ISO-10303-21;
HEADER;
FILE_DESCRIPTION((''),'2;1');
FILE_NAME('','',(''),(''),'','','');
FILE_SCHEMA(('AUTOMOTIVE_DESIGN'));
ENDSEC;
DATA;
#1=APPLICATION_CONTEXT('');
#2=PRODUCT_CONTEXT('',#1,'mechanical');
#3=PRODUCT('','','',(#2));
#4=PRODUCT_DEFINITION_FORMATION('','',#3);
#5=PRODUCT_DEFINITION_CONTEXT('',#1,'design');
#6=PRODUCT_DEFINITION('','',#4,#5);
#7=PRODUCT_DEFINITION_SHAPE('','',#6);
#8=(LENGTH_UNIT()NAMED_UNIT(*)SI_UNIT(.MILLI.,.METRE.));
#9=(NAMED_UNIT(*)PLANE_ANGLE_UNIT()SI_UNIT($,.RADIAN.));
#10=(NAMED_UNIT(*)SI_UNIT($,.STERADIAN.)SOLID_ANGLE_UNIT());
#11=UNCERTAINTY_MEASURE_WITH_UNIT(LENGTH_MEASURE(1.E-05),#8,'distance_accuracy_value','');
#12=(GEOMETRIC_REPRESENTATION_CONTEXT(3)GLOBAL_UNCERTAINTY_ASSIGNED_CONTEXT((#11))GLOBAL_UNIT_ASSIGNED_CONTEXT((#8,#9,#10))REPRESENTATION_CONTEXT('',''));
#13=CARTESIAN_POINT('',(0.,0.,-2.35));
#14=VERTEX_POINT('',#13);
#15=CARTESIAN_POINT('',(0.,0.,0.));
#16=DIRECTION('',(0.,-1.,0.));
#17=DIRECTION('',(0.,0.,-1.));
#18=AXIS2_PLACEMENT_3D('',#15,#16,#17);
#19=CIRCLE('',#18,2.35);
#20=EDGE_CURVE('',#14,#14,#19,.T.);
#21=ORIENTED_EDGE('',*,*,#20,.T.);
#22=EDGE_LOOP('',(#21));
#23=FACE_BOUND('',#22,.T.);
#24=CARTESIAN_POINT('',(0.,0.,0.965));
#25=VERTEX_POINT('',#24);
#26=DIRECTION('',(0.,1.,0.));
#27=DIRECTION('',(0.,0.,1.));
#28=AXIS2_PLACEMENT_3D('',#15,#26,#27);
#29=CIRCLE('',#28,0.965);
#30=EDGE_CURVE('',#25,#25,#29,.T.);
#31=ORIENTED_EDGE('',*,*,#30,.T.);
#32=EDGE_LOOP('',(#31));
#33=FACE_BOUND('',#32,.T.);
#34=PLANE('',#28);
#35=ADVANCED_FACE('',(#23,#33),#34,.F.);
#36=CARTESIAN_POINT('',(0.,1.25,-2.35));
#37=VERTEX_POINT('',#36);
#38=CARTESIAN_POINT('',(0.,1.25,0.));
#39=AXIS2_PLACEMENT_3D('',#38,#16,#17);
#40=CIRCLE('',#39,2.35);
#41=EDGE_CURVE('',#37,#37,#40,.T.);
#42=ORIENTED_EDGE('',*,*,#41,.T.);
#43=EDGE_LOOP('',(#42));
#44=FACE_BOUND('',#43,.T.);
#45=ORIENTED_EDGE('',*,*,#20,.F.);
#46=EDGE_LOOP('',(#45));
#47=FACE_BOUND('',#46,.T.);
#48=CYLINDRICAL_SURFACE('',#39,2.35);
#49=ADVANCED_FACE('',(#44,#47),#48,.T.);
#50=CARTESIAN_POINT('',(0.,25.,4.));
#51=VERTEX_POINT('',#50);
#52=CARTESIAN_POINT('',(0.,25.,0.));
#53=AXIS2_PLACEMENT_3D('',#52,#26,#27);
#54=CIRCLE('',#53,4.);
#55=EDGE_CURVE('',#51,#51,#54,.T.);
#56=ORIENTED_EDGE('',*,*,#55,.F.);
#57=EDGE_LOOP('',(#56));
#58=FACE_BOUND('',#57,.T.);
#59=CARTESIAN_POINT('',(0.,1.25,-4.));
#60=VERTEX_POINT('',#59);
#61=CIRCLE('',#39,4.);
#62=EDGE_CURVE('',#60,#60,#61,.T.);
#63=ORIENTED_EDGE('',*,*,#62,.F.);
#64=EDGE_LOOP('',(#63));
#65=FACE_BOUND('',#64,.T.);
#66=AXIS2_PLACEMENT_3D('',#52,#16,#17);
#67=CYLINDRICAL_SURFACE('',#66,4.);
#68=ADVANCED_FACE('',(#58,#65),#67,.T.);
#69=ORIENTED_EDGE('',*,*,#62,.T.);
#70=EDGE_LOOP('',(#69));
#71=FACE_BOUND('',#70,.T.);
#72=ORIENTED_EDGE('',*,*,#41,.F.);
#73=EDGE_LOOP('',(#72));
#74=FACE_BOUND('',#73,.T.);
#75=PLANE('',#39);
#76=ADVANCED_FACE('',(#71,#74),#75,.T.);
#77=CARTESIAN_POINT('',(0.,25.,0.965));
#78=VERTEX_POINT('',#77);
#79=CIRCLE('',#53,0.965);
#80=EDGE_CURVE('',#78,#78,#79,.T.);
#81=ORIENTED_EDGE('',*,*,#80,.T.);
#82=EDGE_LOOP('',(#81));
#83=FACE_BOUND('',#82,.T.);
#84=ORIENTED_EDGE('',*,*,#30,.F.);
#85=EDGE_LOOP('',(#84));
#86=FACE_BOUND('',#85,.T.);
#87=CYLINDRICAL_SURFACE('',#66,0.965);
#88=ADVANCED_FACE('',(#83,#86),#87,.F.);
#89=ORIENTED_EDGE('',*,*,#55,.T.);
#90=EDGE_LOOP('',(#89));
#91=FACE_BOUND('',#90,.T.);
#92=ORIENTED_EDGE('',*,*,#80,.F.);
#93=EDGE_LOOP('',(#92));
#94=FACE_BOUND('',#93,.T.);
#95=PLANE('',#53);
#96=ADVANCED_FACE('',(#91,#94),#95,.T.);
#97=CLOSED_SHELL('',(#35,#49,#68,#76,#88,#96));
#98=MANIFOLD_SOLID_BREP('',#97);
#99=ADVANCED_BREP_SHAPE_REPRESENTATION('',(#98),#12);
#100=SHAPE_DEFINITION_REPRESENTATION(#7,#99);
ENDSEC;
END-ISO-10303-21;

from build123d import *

# Parameters (mm, degrees)
SKETCH1_R           = 4
SKETCH1_R_2         = 0.965
BOSS_EXTRUDE1_DEPTH = 25
SKETCH2_R           = 4
SKETCH2_R_2         = 2.35
CUT_EXTRUDE1_DEPTH  = 1.25


with BuildPart() as part:
    # Sketch1 → Boss-Extrude1 (new body)
    with BuildSketch(Plane(origin=(0, 0, 0), x_dir=(1, 0, 0), z_dir=(0, 1, 0))):
        Circle(SKETCH1_R)
        Circle(SKETCH1_R_2, mode=Mode.SUBTRACT)
    extrude(amount=BOSS_EXTRUDE1_DEPTH)

    # Sketch2 → Cut-Extrude1 (cut)
    with BuildSketch(Plane.XZ):
        Circle(SKETCH2_R)
        Circle(SKETCH2_R_2, mode=Mode.SUBTRACT)
    extrude(amount=-CUT_EXTRUDE1_DEPTH, mode=Mode.SUBTRACT)


solid = part.part
